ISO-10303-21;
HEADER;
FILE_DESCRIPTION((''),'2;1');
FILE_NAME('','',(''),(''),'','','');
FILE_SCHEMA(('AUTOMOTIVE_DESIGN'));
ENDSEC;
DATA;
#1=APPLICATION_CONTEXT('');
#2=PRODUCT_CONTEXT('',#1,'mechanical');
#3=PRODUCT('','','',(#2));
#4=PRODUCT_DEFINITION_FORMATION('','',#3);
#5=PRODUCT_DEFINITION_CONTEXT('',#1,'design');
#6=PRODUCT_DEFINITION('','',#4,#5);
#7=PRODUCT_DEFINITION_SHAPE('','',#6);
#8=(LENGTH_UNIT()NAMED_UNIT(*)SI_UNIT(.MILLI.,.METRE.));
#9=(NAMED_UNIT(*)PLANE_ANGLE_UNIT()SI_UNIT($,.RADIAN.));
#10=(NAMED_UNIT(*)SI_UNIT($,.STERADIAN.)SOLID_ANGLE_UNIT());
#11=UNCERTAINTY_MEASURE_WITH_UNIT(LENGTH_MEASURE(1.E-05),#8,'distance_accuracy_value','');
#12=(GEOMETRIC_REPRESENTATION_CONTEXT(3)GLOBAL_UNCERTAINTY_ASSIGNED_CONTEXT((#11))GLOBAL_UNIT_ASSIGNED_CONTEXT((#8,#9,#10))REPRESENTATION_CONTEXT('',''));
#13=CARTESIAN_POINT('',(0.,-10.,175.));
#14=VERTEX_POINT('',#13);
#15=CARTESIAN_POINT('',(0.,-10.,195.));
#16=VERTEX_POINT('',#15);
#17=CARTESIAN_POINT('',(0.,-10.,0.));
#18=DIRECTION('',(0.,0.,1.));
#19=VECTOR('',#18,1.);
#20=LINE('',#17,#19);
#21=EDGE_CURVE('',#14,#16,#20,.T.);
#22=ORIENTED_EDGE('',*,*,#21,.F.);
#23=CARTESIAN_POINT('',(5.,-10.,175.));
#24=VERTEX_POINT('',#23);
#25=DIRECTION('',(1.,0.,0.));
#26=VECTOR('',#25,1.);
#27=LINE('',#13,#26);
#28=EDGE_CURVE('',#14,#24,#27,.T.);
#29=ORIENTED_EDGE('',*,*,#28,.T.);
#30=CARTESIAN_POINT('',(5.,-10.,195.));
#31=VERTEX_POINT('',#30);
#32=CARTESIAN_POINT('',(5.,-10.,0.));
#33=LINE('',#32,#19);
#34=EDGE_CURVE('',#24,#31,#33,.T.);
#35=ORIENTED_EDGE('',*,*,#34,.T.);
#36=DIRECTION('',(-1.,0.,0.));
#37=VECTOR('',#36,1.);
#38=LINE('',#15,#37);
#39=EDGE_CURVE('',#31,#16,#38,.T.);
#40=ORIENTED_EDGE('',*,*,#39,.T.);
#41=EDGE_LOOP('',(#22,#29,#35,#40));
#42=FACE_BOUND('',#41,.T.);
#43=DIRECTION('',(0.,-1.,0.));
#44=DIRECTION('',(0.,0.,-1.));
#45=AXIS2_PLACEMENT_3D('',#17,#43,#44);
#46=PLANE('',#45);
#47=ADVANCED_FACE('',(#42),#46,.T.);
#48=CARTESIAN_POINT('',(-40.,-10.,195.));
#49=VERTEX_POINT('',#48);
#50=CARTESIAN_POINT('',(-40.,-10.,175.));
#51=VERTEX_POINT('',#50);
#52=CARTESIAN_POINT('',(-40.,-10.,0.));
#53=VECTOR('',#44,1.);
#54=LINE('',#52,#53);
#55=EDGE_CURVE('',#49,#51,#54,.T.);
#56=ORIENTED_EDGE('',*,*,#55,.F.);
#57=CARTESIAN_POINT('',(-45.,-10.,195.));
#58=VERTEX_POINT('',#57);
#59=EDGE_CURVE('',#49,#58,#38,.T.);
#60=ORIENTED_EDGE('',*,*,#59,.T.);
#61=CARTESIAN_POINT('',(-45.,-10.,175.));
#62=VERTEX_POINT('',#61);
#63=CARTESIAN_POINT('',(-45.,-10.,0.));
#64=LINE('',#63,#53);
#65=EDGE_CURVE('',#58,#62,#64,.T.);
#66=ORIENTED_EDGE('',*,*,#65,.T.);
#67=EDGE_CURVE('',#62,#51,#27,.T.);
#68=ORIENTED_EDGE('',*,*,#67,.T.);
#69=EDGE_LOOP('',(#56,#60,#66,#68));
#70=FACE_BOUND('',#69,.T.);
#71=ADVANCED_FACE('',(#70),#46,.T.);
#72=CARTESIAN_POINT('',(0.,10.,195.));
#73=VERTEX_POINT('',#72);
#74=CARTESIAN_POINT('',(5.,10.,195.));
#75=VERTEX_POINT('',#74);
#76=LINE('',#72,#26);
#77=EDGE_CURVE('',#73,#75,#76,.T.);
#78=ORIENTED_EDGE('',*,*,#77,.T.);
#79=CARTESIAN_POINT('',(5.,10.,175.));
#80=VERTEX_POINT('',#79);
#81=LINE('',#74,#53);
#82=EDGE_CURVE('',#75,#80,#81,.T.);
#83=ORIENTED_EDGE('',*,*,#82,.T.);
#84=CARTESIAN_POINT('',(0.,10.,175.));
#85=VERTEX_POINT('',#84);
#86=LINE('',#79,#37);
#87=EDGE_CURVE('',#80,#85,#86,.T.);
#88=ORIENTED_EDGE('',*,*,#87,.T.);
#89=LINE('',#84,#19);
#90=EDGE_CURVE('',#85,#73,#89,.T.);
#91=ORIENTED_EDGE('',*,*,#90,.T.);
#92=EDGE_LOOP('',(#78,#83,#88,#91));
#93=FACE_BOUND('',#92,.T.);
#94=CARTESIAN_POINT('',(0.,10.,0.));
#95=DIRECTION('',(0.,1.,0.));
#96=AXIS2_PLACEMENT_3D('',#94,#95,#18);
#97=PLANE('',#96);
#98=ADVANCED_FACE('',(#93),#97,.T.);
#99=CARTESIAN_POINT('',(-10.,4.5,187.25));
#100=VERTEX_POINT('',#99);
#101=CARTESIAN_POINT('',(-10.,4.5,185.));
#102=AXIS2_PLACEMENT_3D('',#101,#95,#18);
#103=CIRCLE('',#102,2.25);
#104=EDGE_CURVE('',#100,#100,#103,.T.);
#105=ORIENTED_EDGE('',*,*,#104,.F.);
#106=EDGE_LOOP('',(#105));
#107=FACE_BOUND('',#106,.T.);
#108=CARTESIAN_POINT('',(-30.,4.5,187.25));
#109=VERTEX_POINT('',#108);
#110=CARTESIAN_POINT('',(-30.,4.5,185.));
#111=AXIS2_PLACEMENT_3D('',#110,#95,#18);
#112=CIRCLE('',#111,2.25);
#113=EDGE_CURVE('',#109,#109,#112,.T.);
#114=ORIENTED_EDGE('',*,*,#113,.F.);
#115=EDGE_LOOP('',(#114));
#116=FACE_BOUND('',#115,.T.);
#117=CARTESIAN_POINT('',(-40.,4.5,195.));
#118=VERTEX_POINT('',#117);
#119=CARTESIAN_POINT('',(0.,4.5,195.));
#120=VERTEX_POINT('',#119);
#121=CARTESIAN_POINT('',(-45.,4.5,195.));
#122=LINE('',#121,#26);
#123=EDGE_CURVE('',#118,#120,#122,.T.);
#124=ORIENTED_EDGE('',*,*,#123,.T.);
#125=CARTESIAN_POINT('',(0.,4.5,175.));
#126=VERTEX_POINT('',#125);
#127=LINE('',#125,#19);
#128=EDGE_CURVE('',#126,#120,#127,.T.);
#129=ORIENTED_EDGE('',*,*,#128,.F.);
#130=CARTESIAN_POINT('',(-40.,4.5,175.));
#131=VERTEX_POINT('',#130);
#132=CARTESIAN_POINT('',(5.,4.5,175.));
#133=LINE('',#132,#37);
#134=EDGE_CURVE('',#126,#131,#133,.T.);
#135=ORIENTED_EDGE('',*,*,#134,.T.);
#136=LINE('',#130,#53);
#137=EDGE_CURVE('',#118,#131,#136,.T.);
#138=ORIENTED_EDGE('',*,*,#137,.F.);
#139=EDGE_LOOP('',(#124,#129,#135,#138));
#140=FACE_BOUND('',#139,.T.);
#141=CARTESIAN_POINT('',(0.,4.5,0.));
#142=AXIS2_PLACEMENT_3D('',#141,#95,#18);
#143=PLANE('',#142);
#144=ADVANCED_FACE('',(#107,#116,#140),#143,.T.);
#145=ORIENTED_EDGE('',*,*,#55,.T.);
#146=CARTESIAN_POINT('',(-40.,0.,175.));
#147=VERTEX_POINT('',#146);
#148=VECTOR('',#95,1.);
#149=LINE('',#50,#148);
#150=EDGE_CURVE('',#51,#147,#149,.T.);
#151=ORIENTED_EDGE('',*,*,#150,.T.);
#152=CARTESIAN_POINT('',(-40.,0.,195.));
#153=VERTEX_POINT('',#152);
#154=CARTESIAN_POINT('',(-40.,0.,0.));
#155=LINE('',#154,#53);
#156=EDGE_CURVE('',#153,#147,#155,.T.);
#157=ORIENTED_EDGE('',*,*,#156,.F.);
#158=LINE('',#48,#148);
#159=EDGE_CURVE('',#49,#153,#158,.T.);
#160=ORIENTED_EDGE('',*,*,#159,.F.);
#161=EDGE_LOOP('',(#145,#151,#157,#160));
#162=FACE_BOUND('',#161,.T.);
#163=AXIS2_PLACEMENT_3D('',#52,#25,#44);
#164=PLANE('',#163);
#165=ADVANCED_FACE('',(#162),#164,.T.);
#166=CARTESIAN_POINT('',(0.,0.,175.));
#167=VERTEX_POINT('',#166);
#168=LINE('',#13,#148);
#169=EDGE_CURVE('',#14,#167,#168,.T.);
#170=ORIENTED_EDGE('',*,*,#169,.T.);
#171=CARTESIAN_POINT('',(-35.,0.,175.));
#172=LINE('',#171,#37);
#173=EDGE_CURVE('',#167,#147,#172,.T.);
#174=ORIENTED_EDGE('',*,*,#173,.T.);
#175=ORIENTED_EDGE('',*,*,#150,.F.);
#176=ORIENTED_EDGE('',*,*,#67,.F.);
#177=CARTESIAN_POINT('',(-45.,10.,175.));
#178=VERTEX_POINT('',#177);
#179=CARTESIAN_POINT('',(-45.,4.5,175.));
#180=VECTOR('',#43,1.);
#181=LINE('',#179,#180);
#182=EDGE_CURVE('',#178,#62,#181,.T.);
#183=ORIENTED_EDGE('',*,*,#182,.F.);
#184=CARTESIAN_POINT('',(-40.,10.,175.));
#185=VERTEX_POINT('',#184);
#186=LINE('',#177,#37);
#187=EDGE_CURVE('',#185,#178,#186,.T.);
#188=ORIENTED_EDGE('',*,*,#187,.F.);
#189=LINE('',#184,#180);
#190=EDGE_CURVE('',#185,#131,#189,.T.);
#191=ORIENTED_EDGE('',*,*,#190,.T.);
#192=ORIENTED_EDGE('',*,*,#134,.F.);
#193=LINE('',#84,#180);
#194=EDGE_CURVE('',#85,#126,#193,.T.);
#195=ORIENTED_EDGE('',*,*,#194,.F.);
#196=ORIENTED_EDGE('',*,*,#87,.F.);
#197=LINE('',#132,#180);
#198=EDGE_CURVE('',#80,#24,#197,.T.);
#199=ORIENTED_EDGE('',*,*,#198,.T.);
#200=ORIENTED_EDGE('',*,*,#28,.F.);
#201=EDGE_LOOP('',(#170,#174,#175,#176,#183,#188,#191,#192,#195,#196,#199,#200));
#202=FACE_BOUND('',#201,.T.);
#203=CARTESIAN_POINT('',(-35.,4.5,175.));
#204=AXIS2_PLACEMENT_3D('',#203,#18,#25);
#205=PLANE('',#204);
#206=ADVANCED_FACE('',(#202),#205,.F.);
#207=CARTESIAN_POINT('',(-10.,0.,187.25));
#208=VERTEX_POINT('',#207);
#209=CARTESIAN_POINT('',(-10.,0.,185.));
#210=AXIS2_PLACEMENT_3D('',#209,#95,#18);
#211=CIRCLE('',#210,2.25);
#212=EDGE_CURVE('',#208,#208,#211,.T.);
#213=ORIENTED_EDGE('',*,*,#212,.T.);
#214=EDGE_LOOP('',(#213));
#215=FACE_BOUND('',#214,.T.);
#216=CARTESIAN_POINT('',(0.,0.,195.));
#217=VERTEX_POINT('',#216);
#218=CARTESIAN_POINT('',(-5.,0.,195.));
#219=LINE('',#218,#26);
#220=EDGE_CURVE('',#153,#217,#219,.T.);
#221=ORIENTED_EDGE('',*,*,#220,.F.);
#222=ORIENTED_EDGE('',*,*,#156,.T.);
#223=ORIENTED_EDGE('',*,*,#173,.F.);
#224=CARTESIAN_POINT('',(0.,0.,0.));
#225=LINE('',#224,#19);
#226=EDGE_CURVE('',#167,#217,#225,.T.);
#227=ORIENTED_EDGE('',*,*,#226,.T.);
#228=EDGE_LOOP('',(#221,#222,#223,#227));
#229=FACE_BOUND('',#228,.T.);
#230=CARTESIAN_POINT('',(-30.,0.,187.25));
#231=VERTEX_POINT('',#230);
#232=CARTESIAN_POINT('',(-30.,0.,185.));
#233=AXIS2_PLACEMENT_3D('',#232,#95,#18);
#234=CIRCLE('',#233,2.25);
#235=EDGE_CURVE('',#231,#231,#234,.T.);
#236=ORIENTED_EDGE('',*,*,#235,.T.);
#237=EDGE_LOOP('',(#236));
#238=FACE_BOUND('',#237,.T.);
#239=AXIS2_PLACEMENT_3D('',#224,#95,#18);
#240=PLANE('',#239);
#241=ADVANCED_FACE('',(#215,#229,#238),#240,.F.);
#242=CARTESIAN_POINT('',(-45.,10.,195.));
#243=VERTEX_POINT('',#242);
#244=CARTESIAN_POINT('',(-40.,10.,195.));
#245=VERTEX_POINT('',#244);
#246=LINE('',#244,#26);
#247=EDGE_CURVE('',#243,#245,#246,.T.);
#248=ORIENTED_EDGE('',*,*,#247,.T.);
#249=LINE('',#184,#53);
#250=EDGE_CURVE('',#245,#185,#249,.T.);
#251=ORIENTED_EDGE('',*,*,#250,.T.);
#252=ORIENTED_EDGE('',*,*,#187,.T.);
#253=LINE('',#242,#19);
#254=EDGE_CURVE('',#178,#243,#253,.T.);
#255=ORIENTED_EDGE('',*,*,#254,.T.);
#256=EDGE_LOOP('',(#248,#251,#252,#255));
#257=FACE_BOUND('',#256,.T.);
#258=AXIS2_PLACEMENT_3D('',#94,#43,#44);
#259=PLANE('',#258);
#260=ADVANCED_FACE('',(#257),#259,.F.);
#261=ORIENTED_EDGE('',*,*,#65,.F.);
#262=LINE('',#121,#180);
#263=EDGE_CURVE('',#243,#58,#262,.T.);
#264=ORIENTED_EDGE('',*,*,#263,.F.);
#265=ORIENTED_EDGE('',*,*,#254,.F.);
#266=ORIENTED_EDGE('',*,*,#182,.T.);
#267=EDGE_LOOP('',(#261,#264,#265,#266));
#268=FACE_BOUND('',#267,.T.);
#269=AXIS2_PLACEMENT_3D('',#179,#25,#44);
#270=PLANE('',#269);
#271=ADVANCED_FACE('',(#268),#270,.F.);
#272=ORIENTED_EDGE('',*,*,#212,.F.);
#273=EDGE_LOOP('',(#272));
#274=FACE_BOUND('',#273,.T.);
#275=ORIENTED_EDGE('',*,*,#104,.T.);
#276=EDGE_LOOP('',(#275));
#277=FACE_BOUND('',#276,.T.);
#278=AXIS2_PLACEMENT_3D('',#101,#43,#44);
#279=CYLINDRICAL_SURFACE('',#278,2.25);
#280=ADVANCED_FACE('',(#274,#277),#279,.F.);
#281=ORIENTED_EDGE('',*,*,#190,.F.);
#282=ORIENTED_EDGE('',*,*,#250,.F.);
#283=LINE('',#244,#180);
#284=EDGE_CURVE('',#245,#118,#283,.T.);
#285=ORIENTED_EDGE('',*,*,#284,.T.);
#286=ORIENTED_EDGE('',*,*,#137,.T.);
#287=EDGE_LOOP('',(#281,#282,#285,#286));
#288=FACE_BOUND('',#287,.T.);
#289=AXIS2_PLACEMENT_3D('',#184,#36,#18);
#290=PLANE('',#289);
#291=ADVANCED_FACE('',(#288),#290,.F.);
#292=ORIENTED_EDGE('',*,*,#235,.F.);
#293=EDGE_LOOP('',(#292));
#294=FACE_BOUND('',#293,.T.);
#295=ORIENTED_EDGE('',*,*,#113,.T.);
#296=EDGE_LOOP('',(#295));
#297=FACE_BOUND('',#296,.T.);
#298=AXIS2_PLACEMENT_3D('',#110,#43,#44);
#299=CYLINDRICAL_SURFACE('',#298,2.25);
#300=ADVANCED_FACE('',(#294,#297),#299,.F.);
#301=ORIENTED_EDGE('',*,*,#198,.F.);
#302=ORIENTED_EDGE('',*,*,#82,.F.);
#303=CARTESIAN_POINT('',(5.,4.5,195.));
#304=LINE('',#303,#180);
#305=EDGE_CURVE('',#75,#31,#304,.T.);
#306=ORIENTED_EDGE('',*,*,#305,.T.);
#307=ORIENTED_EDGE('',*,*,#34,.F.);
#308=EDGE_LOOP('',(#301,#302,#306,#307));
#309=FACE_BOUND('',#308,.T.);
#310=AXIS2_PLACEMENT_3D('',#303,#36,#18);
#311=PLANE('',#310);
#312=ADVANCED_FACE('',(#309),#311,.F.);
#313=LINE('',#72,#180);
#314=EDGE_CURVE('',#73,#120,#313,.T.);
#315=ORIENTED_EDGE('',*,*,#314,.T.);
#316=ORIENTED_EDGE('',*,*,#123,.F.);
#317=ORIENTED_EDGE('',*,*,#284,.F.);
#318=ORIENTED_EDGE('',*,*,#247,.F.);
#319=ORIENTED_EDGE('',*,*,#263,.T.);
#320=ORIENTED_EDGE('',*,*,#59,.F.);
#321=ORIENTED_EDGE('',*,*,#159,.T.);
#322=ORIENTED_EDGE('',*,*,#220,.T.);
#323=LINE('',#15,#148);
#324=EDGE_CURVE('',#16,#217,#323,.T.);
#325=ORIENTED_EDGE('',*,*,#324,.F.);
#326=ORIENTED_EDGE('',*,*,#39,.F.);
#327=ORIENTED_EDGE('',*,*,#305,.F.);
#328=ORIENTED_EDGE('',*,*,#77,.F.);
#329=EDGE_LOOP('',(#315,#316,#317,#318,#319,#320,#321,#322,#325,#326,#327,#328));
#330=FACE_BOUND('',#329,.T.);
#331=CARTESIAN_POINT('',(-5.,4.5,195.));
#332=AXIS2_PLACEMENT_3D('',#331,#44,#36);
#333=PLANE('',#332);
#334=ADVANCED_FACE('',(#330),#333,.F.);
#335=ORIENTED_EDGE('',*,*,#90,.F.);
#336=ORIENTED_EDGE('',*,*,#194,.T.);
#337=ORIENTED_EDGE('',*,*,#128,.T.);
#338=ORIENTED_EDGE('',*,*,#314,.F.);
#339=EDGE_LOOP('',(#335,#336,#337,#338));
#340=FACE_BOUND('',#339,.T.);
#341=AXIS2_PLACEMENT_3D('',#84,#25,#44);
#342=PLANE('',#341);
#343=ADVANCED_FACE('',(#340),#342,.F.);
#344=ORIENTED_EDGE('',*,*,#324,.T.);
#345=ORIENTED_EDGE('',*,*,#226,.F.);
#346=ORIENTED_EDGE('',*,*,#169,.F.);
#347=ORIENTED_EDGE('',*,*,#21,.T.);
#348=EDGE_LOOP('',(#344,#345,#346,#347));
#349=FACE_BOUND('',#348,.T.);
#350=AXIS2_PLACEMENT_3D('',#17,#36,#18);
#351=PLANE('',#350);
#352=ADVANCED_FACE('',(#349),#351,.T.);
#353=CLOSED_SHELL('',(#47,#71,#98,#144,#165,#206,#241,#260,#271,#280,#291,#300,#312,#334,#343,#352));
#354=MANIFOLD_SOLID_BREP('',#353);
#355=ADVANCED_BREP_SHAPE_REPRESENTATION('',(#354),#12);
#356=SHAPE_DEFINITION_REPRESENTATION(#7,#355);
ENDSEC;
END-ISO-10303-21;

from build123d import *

# Parameters (mm, degrees)
CROQUIS1_R              = 2.25
SALIENTE_EXTRUIR1_DEPTH = 4.5
CROQUIS3_W              = 5
CROQUIS3_H              = 20
SALIENTE_EXTRUIR3_DEPTH = 5.5
CROQUIS4_W              = 5
CROQUIS4_H              = 20
SALIENTE_EXTRUIR4_DEPTH = 10


with BuildPart() as part:
    # Croquis1 → Saliente-Extruir1 (new body)
    with BuildSketch(Plane(origin=(0, 0, 0), x_dir=(1, 0, 0), z_dir=(0, 1, 0))):
        Polygon((-35, -175), (-45, -175), (-45, -195), (-35, -195), (-5, -195), (5, -195), (5, -175), (-5, -175), align=None)
        with Locations(Location((-30, -185, 0), (0, 0, 270))):
            Circle(CROQUIS1_R, mode=Mode.SUBTRACT)
        with Locations(Location((-10, -185, 0), (0, 0, 270))):
            Circle(CROQUIS1_R, mode=Mode.SUBTRACT)
    extrude(amount=SALIENTE_EXTRUIR1_DEPTH)

    # Croquis3 → Saliente-Extruir3 (add)
    with BuildSketch(Plane(origin=(0, 4.5, 0), x_dir=(1, 0, 0), z_dir=(0, 1, 0))):
        with Locations((2.5, -185)):
            Rectangle(CROQUIS3_W, CROQUIS3_H)
        with Locations((-42.5, -185)):
            Rectangle(CROQUIS3_W, CROQUIS3_H)
    extrude(amount=SALIENTE_EXTRUIR3_DEPTH)

    # Croquis4 → Saliente-Extruir4 (add)
    with BuildSketch(Plane.XZ):
        with Locations((2.5, 185)):
            Rectangle(CROQUIS4_W, CROQUIS4_H)
        Polygon((-40, 175), (-40, 195), (-45, 195), (-45, 175), (-40.824678474, 175), align=None)
    extrude(amount=SALIENTE_EXTRUIR4_DEPTH)


solid = part.part
